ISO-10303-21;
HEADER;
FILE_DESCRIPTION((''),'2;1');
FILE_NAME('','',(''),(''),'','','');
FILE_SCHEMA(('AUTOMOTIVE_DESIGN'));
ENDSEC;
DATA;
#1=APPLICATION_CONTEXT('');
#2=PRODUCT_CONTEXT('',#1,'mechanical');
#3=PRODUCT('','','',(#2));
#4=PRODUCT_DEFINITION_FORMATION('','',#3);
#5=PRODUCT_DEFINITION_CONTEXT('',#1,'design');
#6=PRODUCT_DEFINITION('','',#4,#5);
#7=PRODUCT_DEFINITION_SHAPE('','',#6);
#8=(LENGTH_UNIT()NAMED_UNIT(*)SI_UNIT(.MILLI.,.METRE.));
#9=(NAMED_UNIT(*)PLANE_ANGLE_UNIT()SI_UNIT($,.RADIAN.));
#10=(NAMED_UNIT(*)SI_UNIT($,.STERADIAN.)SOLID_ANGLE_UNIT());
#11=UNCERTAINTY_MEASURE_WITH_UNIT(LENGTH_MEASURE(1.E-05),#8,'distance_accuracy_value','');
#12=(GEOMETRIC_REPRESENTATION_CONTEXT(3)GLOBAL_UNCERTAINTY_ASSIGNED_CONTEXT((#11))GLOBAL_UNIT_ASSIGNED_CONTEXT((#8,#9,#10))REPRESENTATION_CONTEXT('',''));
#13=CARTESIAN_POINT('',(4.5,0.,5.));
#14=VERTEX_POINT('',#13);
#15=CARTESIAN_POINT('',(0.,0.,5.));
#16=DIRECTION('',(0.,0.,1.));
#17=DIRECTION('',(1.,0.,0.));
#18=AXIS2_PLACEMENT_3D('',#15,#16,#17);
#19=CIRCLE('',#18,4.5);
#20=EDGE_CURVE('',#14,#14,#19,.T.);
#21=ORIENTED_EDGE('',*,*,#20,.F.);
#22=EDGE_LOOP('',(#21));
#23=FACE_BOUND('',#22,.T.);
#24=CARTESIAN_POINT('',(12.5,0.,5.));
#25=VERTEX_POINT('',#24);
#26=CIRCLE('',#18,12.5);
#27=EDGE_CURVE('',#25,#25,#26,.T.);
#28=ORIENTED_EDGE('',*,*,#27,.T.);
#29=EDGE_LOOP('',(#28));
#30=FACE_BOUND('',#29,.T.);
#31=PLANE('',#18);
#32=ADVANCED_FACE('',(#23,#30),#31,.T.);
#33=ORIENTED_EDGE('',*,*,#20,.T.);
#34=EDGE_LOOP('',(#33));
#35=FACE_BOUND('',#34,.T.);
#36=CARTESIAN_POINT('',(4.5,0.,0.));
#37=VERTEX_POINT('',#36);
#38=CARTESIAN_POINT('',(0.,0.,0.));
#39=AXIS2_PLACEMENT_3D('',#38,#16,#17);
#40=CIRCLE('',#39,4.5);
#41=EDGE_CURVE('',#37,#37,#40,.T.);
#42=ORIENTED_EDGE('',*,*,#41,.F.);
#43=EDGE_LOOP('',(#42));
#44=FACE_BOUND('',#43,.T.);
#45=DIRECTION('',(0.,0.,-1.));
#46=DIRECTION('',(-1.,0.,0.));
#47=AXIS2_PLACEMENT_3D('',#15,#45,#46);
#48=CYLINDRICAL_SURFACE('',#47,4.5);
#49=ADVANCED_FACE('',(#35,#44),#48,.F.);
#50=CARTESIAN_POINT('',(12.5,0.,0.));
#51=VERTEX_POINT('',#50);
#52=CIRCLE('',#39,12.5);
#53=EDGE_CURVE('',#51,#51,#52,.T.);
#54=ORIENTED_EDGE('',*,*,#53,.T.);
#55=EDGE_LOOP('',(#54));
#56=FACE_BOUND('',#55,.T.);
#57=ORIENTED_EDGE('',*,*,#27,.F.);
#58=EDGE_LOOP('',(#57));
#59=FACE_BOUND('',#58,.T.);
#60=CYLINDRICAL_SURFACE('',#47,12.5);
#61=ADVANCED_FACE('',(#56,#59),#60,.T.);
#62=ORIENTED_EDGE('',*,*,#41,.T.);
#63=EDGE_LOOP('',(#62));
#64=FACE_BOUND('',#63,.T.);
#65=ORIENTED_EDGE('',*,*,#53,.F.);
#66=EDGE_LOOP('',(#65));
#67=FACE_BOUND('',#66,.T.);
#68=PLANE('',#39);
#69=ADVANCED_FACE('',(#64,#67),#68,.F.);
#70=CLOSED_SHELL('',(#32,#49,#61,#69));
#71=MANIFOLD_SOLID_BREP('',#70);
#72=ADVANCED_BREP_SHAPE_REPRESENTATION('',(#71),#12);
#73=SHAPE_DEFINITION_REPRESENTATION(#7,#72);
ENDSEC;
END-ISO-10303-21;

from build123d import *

# Parameters (mm, degrees)
SCHIZZO1_R                   = 12.5
SCHIZZO1_R_2                 = 4.5
ESTRUSIONE_ESTRUSIONE1_DEPTH = 5


with BuildPart() as part:
    # Schizzo1 → Estrusione-Estrusione1 (new body)
    with BuildSketch(Plane.XY):
        Circle(SCHIZZO1_R)
        Circle(SCHIZZO1_R_2, mode=Mode.SUBTRACT)
    extrude(amount=ESTRUSIONE_ESTRUSIONE1_DEPTH)


solid = part.part
